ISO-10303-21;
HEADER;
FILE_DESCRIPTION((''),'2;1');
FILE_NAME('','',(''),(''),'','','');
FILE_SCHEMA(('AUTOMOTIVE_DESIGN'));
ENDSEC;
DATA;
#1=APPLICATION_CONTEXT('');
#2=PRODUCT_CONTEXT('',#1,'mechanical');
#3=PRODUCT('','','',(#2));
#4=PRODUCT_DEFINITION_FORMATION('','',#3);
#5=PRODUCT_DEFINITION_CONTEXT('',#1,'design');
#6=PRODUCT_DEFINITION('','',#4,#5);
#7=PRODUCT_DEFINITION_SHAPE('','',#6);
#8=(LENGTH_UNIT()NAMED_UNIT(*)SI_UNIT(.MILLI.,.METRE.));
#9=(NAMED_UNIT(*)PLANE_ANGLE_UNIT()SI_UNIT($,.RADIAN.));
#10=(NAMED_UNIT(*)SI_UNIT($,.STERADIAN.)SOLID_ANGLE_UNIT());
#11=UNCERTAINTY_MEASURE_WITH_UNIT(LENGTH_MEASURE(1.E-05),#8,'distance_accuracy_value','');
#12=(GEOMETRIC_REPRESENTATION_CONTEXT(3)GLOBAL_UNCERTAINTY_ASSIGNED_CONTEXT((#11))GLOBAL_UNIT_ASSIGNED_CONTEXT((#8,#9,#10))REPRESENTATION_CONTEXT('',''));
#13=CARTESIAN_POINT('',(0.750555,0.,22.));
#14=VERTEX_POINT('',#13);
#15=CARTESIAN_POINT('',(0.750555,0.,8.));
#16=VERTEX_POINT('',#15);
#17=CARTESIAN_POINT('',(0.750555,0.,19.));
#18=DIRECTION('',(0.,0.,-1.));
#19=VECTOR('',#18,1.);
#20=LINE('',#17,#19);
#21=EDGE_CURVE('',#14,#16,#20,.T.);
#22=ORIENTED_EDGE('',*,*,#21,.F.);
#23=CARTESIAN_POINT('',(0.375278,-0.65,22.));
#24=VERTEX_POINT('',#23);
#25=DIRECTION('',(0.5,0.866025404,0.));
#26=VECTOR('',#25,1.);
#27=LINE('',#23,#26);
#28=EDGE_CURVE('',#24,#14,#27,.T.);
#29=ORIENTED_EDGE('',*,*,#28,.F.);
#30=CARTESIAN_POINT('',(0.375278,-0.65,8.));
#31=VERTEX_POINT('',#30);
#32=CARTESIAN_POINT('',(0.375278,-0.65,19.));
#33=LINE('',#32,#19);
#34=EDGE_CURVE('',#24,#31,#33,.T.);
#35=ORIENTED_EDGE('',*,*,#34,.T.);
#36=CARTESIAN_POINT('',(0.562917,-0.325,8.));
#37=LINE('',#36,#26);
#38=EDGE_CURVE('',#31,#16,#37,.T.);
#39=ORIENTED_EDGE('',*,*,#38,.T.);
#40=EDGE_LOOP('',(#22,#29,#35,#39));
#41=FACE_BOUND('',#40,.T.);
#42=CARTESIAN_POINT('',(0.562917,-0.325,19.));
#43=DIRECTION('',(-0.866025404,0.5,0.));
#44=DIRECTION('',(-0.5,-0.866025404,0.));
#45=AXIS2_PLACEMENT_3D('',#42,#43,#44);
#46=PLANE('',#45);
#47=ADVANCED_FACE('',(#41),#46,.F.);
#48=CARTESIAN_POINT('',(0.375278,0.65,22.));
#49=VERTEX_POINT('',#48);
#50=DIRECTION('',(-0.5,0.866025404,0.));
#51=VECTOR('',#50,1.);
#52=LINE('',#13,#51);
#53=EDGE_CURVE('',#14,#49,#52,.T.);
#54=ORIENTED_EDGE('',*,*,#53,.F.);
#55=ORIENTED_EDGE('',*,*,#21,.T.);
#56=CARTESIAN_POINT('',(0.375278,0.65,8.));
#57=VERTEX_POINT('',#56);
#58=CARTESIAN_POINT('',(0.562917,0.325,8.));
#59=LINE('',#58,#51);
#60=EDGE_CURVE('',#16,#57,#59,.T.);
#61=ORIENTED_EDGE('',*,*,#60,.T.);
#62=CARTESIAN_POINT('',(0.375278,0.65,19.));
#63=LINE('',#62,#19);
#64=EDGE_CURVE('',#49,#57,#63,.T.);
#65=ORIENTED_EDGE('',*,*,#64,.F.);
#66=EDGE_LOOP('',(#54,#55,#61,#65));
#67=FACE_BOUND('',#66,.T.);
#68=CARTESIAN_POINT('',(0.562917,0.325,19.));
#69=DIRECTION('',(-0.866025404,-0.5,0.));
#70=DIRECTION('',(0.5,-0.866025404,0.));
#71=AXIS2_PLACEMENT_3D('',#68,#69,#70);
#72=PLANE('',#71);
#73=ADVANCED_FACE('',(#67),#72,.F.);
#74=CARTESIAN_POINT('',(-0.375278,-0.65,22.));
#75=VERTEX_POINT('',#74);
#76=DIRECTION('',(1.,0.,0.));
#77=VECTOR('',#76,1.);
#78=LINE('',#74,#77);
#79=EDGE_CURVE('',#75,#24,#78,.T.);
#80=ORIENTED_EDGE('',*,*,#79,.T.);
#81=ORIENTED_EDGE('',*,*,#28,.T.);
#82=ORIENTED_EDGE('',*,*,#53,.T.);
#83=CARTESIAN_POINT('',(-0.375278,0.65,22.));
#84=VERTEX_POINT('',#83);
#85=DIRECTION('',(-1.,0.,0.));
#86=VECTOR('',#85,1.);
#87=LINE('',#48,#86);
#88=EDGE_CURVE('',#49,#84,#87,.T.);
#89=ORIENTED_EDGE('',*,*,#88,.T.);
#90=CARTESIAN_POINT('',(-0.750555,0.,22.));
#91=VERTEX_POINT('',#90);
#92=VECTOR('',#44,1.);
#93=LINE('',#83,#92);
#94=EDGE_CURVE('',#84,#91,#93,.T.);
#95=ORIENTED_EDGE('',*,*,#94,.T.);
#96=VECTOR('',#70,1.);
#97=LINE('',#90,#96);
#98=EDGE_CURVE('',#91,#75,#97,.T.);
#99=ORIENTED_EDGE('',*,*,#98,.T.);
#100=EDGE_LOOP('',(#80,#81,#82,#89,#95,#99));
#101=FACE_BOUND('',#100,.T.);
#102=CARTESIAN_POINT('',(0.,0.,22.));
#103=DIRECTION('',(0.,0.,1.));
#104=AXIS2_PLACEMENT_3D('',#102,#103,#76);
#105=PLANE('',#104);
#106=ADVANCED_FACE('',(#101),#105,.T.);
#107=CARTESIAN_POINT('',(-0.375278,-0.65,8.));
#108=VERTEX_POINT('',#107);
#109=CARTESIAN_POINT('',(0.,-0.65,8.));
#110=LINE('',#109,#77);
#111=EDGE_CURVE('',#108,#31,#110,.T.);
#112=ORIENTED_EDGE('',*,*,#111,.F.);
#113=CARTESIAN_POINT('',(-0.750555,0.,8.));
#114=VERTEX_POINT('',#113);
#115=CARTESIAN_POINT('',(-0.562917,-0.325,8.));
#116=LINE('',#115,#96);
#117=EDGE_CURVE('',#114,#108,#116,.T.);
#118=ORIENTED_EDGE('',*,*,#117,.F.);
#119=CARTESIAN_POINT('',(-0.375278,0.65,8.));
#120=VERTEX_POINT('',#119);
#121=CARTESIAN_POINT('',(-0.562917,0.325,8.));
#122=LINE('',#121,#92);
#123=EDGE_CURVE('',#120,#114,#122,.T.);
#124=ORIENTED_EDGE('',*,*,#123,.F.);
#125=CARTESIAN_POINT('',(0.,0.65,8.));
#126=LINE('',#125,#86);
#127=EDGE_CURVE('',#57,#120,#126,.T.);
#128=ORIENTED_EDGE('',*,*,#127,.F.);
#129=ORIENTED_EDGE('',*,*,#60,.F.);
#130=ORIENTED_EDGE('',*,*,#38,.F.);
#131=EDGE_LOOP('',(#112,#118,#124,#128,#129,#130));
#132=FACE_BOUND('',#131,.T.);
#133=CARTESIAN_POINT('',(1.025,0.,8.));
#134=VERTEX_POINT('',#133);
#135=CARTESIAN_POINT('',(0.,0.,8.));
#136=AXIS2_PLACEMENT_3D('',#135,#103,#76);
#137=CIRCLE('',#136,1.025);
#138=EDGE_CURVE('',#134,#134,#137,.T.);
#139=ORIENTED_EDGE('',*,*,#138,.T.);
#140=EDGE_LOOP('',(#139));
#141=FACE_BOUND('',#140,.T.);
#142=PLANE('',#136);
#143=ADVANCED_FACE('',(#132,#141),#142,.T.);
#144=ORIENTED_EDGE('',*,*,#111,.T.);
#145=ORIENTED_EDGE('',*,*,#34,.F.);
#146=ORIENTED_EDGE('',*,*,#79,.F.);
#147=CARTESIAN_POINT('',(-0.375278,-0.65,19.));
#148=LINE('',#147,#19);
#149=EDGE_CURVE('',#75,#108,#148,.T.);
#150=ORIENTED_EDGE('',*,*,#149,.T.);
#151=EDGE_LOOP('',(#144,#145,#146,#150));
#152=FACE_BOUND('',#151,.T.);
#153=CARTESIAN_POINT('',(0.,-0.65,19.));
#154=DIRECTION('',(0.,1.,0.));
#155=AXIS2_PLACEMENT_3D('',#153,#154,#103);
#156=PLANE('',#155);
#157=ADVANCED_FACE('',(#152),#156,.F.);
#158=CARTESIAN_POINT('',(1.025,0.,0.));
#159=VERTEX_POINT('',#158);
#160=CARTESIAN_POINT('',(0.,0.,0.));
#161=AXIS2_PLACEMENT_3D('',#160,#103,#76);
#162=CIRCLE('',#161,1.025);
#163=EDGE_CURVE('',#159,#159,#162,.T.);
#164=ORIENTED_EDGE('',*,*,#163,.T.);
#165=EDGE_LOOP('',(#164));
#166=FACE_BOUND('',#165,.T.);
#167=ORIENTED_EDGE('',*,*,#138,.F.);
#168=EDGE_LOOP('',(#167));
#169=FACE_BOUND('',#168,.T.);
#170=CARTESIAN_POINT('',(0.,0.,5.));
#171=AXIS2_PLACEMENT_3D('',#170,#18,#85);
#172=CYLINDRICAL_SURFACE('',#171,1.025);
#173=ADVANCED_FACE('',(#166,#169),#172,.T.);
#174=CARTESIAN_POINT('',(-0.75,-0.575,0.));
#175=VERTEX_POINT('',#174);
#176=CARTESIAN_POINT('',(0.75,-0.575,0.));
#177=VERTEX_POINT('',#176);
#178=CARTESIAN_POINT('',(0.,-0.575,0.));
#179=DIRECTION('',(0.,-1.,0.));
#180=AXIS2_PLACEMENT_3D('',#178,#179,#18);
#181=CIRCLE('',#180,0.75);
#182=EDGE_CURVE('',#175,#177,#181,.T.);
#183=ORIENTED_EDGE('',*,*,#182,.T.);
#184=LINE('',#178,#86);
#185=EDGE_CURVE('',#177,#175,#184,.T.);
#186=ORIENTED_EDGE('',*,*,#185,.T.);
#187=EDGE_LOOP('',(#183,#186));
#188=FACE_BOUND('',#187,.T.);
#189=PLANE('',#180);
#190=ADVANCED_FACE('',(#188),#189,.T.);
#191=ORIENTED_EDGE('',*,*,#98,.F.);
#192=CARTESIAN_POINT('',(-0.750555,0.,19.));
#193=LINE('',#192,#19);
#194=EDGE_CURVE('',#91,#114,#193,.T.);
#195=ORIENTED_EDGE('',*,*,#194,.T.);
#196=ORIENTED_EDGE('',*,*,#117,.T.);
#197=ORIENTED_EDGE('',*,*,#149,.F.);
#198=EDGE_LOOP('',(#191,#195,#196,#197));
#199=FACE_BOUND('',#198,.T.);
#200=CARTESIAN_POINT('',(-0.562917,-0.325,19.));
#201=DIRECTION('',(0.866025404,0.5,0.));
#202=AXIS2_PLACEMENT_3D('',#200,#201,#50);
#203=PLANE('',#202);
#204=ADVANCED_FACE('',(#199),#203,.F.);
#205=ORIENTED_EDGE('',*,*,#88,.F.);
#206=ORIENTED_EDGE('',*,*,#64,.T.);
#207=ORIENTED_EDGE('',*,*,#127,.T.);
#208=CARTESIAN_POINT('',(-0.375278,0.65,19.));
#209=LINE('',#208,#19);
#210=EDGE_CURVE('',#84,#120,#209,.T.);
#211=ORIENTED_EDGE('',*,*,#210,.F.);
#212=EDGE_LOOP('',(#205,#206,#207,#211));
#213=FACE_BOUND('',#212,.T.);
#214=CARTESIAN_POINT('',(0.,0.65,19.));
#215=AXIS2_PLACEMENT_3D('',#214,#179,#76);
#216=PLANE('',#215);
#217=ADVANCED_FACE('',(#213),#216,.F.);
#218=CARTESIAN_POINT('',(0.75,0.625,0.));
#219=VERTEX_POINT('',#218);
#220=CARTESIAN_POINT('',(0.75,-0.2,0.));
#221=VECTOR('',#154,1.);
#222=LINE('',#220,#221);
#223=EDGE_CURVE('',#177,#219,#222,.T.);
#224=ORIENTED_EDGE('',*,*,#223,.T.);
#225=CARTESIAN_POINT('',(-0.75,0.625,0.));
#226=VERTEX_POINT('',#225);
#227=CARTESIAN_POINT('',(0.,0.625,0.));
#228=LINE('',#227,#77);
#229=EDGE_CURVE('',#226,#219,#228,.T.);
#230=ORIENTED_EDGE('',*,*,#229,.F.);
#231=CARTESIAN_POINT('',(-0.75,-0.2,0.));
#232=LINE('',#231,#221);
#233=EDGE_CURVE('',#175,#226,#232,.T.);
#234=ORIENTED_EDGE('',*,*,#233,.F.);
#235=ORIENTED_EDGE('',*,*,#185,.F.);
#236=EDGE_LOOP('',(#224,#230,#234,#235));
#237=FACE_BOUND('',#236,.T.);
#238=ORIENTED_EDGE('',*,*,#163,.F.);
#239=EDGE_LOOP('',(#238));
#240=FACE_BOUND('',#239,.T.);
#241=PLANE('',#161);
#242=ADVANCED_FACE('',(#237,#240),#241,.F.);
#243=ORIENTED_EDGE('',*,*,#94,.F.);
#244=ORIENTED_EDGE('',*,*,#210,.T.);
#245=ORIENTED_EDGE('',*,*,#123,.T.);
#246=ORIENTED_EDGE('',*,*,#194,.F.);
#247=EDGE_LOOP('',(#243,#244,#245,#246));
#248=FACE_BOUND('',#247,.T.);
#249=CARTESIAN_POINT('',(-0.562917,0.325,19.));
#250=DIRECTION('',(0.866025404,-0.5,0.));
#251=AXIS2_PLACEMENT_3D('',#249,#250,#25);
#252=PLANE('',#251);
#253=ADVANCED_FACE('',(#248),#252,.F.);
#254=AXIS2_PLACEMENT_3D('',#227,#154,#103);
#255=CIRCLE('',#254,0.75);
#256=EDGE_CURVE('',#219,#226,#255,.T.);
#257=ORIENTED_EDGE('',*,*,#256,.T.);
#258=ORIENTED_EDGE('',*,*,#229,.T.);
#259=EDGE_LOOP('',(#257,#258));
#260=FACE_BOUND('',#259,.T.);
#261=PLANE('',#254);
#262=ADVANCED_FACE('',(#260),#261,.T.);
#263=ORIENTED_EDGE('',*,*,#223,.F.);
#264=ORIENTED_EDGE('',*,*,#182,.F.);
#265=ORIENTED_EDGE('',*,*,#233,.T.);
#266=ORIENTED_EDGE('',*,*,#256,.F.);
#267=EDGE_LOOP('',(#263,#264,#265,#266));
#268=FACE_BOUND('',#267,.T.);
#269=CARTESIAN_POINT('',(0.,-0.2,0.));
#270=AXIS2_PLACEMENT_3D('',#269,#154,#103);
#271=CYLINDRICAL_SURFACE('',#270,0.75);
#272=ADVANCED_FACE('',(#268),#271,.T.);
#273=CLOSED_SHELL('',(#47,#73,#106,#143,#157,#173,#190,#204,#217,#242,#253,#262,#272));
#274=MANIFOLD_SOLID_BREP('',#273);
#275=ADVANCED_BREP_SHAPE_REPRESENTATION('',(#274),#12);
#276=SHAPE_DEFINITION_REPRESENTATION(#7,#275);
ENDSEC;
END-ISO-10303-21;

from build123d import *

# Parameters (mm, degrees)
SKETCH1_R                = 1.025
BOSS_EXTRUDE1_DEPTH      = 5
BOSS_EXTRUDE5_DEPTH      = 0.25
BOSS_EXTRUDE5_DEPTH_BACK = 0.2
BOSS_EXTRUDE6_DEPTH      = 0.375
BOSS_EXTRUDE7_START      = 0.375
BOSS_EXTRUDE7_DEPTH      = 0.375
BOSS_EXTRUDE9_DEPTH      = 14
SKETCH7_R                = 1.025
BOSS_EXTRUDE10_DEPTH     = 3
BOSS_EXTRUDE11_DEPTH     = 3


with BuildPart() as part:
    # Sketch1 → Boss-Extrude1 (new body)
    with BuildSketch(Plane.XY):
        Circle(SKETCH1_R)
    extrude(amount=BOSS_EXTRUDE1_DEPTH)

    # Sketch3 → Boss-Extrude5 (add, two sides: drawn at the far end of the back side and taken through both)
    with BuildSketch(Plane(origin=(0, 0, 0), x_dir=(1, 0, 0), z_dir=(0, 1, 0)).offset(-BOSS_EXTRUDE5_DEPTH_BACK)):
        with BuildLine():
            Line((-0.75, 0), (0.75, 0))
            ThreePointArc((0.75, 0), (0, 0.75), (-0.75, 0))
        make_face()
    extrude(amount=BOSS_EXTRUDE5_DEPTH + BOSS_EXTRUDE5_DEPTH_BACK)

    # Sketch5 → Boss-Extrude6 (add)
    with BuildSketch(Plane(origin=(0, 0.25, 0), x_dir=(1, 0, 0), z_dir=(0, 1, 0))):
        with BuildLine():
            Line((-0.75, 0), (0.75, 0))
            ThreePointArc((0.75, 0), (0, 0.75), (-0.75, 0))
        make_face()
    extrude(amount=BOSS_EXTRUDE6_DEPTH)

    # Sketch6 → Boss-Extrude7 (add)
    with BuildSketch(Plane.XZ.offset(0.2).offset(BOSS_EXTRUDE7_START)):
        with BuildLine():
            Line((0.75, 0), (-0.75, 0))
            ThreePointArc((-0.75, 0), (0, -0.75), (0.75, 0))
        make_face()
    extrude(amount=-BOSS_EXTRUDE7_DEPTH)

    # Sketch2 → Boss-Extrude9 (add)
    with BuildSketch(Plane.XY.offset(5)):
        Polygon((0.75055535, 0), (0.375277675, 0.65), (-0.375277675, 0.65), (-0.75055535, 0), (-0.375277675, -0.65), (0.375277675, -0.65), align=None)
    extrude(amount=BOSS_EXTRUDE9_DEPTH)

    # Sketch7 → Boss-Extrude10 (add)
    with BuildSketch(Plane.XY.offset(5)):
        Circle(SKETCH7_R)
    extrude(amount=BOSS_EXTRUDE10_DEPTH)

    # Sketch8 → Boss-Extrude11 (add)
    with BuildSketch(Plane.XY.offset(19)):
        Polygon((0.75055535, 0), (0.375277675, 0.65), (-0.375277675, 0.65), (-0.75055535, 0), (-0.375277675, -0.65), (0.375277675, -0.65), align=None)
    extrude(amount=BOSS_EXTRUDE11_DEPTH)


solid = part.part
